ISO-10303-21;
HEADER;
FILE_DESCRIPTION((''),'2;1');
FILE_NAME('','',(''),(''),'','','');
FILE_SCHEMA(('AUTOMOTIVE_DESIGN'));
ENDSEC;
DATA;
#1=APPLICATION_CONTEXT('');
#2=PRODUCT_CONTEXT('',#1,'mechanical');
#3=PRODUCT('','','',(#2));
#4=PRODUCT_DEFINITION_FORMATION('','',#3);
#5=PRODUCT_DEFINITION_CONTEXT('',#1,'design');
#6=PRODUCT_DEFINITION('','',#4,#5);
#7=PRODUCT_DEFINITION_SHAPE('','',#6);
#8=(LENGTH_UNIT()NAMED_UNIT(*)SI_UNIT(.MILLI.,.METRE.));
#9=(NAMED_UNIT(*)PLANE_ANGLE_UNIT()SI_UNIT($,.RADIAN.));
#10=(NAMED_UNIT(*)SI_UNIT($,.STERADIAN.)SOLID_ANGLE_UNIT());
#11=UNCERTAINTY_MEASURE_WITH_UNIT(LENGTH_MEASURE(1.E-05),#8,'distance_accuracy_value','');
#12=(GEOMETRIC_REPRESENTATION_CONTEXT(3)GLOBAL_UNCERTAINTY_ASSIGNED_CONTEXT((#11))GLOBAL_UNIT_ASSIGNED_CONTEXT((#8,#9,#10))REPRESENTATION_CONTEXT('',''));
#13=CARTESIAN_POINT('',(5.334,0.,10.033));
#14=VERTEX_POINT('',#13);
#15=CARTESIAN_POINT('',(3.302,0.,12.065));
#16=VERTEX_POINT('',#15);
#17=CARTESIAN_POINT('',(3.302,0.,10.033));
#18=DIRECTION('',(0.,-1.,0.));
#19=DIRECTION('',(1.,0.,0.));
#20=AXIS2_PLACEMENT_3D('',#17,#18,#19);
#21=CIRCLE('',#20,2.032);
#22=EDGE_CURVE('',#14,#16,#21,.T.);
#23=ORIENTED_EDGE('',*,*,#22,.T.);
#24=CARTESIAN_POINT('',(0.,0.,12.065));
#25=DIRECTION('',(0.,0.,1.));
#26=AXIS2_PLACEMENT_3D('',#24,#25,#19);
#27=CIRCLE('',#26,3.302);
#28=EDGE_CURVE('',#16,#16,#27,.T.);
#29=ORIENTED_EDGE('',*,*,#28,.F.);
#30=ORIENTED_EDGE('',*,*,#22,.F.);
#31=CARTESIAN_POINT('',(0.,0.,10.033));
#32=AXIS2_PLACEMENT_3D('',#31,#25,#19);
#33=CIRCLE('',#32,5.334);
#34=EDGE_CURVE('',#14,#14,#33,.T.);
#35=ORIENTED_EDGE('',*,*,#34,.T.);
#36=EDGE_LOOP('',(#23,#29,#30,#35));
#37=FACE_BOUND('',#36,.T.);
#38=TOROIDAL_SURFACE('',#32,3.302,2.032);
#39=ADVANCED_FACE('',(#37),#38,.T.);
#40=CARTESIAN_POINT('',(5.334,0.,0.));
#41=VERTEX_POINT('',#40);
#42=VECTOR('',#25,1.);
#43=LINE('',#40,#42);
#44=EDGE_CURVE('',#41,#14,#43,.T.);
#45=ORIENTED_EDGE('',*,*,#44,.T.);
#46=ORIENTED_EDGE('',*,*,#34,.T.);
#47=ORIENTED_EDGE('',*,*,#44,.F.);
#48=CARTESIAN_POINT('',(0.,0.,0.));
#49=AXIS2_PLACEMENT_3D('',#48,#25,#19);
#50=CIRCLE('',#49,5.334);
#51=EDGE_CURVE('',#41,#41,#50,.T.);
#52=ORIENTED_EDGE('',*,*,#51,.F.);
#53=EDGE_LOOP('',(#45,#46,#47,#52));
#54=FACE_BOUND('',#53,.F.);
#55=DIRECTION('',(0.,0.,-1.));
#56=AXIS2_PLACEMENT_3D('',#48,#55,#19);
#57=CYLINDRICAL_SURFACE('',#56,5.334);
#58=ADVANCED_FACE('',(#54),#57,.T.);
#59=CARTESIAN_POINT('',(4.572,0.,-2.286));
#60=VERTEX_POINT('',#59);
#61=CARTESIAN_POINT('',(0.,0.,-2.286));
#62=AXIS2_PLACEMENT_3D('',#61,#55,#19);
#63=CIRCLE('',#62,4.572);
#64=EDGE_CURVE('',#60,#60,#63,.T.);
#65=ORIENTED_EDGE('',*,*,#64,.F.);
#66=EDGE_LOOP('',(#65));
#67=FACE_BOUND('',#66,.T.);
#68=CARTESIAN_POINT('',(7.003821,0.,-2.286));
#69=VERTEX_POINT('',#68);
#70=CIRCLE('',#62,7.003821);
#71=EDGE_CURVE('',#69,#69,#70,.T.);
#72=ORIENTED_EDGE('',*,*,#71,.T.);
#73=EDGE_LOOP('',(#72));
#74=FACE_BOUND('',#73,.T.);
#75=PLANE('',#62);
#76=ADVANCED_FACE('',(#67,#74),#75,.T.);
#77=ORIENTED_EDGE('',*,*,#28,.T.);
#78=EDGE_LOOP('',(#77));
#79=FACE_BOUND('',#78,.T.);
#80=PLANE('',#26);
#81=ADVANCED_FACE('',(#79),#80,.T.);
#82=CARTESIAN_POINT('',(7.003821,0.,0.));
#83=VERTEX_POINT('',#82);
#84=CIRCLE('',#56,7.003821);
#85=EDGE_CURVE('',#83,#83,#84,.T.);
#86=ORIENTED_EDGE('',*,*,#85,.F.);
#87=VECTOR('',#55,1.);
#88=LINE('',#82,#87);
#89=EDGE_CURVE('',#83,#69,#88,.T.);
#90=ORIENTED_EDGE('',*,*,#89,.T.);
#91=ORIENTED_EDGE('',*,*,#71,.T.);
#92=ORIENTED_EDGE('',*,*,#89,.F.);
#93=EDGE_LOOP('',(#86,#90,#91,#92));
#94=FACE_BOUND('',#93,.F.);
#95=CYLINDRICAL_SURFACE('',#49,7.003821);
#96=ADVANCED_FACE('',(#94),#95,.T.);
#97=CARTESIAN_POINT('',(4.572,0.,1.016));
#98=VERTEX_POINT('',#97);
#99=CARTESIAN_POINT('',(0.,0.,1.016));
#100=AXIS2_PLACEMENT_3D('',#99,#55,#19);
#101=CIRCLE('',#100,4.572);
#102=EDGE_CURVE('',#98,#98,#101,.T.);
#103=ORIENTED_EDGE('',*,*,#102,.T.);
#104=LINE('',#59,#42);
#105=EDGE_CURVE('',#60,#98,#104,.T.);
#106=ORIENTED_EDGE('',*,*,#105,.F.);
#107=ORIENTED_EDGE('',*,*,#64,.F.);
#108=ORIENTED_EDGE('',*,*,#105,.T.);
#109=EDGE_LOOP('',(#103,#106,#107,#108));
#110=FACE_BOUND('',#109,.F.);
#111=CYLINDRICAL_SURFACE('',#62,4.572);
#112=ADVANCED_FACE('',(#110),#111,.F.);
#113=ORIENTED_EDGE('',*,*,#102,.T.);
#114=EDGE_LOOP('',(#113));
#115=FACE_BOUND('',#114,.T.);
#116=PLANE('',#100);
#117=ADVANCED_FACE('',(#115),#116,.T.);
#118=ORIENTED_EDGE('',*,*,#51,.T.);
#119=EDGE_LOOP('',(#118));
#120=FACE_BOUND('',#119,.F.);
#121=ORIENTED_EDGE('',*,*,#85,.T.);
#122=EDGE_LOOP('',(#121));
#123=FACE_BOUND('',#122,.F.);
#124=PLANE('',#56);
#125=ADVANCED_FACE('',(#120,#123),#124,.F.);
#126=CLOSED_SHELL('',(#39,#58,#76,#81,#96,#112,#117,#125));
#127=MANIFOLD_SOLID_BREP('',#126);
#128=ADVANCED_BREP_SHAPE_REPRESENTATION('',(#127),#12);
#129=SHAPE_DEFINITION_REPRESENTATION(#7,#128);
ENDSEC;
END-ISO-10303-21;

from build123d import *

# Parameters (mm, degrees)
SKETCH_R     = 5.334
PAD_DEPTH    = 12.065
SKETCH001_R  = 7.003821
PAD001_DEPTH = 2.286
SKETCH002_R  = 4.572
POCKET_DEPTH = 3.302
FILLET_R     = 2.032


with BuildPart() as part:
    # Sketch → Pad (new body)
    with BuildSketch(Plane.XY):
        Circle(SKETCH_R)
    extrude(amount=PAD_DEPTH)

    # Sketch001 → Pad001 (new body)
    with BuildSketch(Plane(origin=(0, 0, 0), x_dir=(1, 0, 0), z_dir=(0, 0, -1))):
        Circle(SKETCH001_R)
    extrude(amount=PAD001_DEPTH)

    # Sketch002 → Pocket (cut)
    with BuildSketch(Plane(origin=(0, 0, -2.286), x_dir=(1, 0, 0), z_dir=(0, 0, -1))):
        Circle(SKETCH002_R)
    extrude(amount=-POCKET_DEPTH, mode=Mode.SUBTRACT)

    # Fillet
    fillet_edges = [part.edges().sort_by_distance(p)[0] for p in [
        (-5.334, 0, 12.065),
    ]]
    fillet(fillet_edges, radius=FILLET_R)


solid = part.part
